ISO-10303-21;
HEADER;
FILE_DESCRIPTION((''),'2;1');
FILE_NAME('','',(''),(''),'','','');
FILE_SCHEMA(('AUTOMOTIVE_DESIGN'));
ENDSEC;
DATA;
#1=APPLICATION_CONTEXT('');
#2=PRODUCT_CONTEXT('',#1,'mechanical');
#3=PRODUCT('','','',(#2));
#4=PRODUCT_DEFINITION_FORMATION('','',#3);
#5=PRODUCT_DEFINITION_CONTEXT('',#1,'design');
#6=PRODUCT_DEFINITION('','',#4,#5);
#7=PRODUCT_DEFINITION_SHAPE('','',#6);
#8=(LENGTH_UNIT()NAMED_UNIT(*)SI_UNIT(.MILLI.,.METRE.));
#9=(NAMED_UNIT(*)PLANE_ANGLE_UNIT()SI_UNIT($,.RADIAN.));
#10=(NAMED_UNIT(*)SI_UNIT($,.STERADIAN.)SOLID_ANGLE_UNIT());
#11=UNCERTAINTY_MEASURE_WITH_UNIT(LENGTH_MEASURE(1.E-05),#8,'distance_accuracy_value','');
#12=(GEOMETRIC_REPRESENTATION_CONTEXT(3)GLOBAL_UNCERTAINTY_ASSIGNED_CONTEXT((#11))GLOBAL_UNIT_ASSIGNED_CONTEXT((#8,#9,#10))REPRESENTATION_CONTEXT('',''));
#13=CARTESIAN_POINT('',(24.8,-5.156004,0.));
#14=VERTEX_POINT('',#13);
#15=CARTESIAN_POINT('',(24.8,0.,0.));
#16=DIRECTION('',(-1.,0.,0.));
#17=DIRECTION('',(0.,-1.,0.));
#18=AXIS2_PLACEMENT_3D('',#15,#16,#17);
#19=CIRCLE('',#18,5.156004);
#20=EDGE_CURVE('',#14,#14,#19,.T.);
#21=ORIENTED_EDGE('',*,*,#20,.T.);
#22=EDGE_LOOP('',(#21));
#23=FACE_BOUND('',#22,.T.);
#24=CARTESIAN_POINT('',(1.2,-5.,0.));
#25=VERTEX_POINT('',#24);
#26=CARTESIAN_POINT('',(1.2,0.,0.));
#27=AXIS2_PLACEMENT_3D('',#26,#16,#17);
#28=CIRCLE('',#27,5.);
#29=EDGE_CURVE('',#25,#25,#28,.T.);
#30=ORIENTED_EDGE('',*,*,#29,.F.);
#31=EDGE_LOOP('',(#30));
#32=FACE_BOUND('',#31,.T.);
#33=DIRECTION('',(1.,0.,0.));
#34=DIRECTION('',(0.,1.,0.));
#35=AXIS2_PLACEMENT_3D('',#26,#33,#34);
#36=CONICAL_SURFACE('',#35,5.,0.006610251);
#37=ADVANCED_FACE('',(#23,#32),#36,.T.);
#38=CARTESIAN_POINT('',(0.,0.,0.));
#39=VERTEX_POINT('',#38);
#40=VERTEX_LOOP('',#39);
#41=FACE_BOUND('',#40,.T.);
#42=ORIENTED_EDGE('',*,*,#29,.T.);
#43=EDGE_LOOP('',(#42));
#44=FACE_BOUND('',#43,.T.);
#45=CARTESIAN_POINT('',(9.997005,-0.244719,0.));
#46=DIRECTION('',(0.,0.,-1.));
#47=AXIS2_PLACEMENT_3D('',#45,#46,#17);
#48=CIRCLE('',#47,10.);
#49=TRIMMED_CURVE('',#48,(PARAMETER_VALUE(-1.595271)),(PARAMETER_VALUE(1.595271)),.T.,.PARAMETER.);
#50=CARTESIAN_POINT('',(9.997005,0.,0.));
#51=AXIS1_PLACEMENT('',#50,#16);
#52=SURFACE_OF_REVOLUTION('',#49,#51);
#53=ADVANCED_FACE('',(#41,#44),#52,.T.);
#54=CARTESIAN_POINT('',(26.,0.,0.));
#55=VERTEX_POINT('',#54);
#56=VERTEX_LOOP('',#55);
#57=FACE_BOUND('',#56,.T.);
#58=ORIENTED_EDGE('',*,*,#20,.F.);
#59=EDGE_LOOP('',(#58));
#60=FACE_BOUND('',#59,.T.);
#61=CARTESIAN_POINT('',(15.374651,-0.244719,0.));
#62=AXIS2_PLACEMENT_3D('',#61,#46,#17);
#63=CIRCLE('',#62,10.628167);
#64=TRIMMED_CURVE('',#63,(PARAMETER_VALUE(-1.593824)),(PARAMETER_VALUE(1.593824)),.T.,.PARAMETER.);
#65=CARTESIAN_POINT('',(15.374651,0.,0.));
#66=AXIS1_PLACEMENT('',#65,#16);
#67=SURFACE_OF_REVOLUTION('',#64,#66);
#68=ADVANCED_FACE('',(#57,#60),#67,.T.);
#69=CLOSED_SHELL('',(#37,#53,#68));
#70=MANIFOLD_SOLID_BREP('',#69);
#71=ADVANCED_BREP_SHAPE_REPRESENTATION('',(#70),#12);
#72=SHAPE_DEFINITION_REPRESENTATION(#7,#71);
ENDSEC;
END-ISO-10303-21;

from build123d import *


with BuildPart() as part:
    # 草图1 → Revolve 520 (revolve)
    with BuildSketch(Plane.XY):
        with BuildLine():
            Line((0, 0), (26, 0))
            ThreePointArc((26, 0), (25.726158979, -2.653911805), (24.8, -5.156004192))
            Line((24.8, -5.156004192), (1.2, -5))
            ThreePointArc((1.2, -5), (0.273132168, -2.57844828), (0, 0))
        make_face()
    revolve(axis=Axis((0, 0, 0), (1, 0, 0)))


solid = part.part
